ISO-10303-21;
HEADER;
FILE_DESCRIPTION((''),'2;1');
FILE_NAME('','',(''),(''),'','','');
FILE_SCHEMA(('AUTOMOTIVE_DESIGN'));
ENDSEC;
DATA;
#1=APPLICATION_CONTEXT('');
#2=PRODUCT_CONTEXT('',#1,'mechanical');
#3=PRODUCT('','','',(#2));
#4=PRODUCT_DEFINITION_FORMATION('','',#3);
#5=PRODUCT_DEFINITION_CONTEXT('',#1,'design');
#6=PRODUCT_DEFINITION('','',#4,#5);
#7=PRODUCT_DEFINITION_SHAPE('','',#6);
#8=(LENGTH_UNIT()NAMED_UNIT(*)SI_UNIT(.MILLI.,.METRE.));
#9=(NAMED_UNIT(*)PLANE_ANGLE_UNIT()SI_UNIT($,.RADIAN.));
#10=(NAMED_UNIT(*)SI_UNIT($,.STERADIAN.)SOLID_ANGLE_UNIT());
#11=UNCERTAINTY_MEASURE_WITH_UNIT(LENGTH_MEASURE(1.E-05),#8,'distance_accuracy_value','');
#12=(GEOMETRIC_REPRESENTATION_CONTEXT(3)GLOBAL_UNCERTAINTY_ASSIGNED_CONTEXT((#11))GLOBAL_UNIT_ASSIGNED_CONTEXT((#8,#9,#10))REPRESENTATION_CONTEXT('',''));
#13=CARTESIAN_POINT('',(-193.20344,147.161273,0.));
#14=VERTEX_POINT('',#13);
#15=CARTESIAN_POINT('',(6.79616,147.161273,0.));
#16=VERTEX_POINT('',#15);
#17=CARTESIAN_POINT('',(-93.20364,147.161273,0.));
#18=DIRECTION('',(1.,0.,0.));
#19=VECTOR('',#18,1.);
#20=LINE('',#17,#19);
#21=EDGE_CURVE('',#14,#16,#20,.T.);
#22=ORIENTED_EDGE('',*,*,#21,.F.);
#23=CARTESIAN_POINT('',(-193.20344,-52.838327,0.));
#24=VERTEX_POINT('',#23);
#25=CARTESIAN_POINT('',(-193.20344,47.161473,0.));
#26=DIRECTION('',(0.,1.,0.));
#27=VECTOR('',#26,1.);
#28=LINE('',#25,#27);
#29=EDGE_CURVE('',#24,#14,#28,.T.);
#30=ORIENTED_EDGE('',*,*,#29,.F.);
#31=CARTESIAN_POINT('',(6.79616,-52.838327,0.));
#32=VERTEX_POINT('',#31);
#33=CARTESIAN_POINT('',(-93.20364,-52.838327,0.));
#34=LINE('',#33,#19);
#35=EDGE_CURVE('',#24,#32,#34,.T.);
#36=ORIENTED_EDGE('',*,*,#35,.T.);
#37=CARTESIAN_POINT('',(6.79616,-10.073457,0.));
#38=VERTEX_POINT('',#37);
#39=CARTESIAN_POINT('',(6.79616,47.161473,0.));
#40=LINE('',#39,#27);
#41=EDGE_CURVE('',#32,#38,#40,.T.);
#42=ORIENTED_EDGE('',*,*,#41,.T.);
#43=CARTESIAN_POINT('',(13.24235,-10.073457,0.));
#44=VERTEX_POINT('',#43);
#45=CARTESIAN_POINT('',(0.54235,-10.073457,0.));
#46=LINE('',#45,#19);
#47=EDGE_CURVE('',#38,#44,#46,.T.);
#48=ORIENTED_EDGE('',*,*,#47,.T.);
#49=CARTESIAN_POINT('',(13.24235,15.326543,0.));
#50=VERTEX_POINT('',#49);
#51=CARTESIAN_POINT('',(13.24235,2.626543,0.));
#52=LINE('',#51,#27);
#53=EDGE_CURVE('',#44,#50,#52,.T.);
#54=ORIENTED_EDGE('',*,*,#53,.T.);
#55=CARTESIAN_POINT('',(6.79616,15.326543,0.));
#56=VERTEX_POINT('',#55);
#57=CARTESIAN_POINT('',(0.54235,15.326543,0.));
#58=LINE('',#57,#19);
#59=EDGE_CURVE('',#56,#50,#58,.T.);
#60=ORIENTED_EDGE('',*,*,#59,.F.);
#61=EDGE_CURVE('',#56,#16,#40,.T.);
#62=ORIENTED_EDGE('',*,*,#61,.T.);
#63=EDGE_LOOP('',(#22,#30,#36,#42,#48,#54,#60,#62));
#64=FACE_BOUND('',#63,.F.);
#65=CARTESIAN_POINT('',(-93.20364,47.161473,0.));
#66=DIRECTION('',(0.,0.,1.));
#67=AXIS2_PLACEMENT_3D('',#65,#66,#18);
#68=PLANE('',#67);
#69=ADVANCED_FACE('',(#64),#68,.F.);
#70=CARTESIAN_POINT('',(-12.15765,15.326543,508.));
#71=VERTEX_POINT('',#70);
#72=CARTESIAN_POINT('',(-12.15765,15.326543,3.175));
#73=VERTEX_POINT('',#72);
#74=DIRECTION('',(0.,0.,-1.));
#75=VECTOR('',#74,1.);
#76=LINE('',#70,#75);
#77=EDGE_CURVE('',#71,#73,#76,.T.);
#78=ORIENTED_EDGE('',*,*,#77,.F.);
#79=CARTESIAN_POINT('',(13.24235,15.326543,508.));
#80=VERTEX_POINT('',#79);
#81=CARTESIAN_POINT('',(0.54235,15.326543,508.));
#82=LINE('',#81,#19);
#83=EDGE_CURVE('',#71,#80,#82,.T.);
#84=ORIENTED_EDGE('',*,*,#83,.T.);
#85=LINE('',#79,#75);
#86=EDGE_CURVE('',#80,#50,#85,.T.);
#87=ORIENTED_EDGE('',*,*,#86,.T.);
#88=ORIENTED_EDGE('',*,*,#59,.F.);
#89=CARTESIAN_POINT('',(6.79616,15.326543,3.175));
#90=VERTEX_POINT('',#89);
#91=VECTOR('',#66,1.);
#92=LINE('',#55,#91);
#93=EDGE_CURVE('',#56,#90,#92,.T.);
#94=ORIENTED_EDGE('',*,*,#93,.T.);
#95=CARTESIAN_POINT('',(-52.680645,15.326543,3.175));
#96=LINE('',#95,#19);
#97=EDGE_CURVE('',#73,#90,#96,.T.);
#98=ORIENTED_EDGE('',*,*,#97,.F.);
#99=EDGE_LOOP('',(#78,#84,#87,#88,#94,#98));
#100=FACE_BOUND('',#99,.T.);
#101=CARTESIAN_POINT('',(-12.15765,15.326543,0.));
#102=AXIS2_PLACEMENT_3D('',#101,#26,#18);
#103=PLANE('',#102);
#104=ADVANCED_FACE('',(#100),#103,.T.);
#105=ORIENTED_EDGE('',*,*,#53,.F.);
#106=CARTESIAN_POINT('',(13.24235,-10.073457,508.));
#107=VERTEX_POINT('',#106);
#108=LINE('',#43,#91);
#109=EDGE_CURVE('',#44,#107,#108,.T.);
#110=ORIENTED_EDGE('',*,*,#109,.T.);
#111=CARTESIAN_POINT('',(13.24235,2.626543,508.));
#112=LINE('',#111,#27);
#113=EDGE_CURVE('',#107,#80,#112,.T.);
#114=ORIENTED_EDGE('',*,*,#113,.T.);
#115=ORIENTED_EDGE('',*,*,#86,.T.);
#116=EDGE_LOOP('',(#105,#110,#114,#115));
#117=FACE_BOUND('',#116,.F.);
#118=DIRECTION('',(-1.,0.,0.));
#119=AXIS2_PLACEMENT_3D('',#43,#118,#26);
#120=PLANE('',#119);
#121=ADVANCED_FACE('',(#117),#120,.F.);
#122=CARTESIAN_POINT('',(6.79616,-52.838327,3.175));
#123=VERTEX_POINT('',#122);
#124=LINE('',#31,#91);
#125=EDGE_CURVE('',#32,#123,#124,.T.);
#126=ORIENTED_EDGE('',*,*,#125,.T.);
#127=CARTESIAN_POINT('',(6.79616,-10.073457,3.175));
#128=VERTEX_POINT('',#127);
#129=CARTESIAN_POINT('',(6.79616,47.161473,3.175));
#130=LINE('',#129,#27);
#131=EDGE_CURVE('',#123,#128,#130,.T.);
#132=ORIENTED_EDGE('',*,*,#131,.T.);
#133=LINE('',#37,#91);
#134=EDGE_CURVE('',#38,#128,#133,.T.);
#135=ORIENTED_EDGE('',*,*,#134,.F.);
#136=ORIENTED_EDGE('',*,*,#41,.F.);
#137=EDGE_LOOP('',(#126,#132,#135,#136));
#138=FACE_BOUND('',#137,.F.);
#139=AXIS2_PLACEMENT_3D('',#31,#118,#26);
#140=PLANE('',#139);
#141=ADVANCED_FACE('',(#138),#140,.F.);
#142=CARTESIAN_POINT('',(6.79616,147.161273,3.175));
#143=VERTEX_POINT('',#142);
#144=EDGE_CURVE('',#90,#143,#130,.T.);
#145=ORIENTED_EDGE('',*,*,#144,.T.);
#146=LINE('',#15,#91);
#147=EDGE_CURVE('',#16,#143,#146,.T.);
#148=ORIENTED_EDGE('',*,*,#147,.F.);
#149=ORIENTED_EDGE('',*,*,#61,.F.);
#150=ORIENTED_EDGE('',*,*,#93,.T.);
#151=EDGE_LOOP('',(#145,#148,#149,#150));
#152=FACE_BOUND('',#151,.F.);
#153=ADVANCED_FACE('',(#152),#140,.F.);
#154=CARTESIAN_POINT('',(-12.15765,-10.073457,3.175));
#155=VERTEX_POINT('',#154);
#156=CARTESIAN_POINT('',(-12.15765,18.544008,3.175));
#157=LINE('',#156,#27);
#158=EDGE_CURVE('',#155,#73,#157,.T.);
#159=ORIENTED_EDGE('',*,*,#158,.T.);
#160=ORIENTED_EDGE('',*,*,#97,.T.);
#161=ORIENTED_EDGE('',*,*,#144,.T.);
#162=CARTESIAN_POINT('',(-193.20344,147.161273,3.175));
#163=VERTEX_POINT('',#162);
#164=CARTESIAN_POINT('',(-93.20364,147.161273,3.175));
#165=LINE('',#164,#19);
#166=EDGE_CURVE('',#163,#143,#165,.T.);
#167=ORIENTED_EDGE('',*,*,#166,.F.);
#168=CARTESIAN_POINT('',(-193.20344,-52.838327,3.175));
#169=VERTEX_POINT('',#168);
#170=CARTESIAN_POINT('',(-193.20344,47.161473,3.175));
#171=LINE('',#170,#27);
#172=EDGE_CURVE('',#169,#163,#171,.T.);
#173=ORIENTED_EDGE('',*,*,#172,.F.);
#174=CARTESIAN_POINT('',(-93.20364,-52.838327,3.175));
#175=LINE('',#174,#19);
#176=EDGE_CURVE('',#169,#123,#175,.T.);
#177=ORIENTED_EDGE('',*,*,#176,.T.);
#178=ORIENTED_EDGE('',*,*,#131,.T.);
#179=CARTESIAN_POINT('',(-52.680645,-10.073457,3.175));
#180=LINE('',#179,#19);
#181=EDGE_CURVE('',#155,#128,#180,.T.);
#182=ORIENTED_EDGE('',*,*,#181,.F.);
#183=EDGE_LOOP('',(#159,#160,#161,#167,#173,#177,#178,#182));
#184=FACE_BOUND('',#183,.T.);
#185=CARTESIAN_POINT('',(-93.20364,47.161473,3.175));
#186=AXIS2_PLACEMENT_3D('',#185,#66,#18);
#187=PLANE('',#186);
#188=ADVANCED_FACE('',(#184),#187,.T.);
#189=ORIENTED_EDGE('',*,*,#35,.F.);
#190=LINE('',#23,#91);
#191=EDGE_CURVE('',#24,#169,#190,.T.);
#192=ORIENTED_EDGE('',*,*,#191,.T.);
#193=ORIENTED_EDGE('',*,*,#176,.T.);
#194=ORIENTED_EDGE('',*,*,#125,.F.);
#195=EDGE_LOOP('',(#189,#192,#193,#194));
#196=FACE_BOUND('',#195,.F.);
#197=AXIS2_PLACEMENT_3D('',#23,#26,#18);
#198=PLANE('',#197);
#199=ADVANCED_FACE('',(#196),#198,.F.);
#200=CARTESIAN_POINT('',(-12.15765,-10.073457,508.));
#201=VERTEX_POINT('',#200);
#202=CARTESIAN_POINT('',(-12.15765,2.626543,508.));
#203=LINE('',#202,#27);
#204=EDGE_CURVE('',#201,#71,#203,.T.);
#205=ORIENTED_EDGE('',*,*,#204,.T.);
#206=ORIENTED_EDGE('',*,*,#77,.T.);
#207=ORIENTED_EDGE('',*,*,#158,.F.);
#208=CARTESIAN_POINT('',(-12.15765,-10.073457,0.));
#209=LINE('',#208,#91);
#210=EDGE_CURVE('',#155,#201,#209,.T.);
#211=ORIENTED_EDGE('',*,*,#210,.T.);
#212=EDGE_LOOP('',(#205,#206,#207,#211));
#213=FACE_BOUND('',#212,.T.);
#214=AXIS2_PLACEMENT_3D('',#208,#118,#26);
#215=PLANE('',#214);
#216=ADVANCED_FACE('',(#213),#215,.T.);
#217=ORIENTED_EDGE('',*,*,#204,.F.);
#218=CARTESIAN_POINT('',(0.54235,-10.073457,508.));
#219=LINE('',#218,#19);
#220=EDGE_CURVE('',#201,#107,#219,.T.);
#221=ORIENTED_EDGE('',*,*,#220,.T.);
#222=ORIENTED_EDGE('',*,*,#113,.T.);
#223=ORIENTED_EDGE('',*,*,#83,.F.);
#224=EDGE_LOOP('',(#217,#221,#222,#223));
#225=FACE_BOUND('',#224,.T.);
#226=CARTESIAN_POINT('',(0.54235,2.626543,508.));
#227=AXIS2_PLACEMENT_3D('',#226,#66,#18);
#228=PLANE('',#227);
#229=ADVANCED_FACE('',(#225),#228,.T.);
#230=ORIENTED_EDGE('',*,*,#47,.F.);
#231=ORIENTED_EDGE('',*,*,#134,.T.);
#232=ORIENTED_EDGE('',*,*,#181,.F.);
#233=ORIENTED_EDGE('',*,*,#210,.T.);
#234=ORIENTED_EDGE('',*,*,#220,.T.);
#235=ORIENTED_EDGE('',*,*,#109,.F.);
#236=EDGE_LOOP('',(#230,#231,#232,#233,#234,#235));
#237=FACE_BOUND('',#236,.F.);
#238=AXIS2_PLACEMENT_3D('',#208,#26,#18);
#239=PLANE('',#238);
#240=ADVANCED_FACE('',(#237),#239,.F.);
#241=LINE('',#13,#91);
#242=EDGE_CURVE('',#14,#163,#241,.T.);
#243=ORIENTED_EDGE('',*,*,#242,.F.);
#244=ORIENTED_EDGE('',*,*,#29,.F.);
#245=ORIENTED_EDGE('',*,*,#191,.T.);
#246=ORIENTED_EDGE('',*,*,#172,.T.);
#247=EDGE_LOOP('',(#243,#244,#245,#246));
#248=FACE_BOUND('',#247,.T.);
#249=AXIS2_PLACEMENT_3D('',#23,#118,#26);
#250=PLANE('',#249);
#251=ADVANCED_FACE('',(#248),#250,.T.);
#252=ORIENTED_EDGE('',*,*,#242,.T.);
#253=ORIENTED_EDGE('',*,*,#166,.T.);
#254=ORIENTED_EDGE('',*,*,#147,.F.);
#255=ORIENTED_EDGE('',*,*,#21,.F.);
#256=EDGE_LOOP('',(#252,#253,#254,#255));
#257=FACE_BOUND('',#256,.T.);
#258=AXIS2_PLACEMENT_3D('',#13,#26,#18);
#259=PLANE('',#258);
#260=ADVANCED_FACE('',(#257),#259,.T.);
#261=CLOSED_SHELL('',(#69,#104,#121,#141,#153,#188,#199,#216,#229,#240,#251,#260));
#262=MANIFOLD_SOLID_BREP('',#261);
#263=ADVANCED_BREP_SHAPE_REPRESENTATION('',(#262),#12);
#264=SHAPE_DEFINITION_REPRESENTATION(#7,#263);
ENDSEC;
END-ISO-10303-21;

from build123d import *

# Parameters (mm, degrees)
F0_W     = 25.4
F0_H     = 25.4
F1_DEPTH = 508
F2_DEPTH = 355.6
F3_W     = 199.9996
F3_H     = 199.9996
F4_DEPTH = 3.175


with BuildPart() as f1:
    # F0 (on Top) → F1 (new body)
    with BuildSketch(Plane.XY):
        with Locations((0.54235, 2.626543)):
            Rectangle(F0_W, F0_H)
    extrude(amount=F1_DEPTH)

    # F0 (on Top) → F2 (join)
    with BuildSketch(Plane.XY):
        with Locations((0.54235, 2.626543)):
            Rectangle(F0_W, F0_H)
    extrude(amount=F2_DEPTH)

    # F3 (on Top) → F4 (join)
    with BuildSketch(Plane.XY):
        with Locations((-93.20364, 47.161473)):
            Rectangle(F3_W, F3_H)
    extrude(amount=F4_DEPTH)


solid = f1.part
